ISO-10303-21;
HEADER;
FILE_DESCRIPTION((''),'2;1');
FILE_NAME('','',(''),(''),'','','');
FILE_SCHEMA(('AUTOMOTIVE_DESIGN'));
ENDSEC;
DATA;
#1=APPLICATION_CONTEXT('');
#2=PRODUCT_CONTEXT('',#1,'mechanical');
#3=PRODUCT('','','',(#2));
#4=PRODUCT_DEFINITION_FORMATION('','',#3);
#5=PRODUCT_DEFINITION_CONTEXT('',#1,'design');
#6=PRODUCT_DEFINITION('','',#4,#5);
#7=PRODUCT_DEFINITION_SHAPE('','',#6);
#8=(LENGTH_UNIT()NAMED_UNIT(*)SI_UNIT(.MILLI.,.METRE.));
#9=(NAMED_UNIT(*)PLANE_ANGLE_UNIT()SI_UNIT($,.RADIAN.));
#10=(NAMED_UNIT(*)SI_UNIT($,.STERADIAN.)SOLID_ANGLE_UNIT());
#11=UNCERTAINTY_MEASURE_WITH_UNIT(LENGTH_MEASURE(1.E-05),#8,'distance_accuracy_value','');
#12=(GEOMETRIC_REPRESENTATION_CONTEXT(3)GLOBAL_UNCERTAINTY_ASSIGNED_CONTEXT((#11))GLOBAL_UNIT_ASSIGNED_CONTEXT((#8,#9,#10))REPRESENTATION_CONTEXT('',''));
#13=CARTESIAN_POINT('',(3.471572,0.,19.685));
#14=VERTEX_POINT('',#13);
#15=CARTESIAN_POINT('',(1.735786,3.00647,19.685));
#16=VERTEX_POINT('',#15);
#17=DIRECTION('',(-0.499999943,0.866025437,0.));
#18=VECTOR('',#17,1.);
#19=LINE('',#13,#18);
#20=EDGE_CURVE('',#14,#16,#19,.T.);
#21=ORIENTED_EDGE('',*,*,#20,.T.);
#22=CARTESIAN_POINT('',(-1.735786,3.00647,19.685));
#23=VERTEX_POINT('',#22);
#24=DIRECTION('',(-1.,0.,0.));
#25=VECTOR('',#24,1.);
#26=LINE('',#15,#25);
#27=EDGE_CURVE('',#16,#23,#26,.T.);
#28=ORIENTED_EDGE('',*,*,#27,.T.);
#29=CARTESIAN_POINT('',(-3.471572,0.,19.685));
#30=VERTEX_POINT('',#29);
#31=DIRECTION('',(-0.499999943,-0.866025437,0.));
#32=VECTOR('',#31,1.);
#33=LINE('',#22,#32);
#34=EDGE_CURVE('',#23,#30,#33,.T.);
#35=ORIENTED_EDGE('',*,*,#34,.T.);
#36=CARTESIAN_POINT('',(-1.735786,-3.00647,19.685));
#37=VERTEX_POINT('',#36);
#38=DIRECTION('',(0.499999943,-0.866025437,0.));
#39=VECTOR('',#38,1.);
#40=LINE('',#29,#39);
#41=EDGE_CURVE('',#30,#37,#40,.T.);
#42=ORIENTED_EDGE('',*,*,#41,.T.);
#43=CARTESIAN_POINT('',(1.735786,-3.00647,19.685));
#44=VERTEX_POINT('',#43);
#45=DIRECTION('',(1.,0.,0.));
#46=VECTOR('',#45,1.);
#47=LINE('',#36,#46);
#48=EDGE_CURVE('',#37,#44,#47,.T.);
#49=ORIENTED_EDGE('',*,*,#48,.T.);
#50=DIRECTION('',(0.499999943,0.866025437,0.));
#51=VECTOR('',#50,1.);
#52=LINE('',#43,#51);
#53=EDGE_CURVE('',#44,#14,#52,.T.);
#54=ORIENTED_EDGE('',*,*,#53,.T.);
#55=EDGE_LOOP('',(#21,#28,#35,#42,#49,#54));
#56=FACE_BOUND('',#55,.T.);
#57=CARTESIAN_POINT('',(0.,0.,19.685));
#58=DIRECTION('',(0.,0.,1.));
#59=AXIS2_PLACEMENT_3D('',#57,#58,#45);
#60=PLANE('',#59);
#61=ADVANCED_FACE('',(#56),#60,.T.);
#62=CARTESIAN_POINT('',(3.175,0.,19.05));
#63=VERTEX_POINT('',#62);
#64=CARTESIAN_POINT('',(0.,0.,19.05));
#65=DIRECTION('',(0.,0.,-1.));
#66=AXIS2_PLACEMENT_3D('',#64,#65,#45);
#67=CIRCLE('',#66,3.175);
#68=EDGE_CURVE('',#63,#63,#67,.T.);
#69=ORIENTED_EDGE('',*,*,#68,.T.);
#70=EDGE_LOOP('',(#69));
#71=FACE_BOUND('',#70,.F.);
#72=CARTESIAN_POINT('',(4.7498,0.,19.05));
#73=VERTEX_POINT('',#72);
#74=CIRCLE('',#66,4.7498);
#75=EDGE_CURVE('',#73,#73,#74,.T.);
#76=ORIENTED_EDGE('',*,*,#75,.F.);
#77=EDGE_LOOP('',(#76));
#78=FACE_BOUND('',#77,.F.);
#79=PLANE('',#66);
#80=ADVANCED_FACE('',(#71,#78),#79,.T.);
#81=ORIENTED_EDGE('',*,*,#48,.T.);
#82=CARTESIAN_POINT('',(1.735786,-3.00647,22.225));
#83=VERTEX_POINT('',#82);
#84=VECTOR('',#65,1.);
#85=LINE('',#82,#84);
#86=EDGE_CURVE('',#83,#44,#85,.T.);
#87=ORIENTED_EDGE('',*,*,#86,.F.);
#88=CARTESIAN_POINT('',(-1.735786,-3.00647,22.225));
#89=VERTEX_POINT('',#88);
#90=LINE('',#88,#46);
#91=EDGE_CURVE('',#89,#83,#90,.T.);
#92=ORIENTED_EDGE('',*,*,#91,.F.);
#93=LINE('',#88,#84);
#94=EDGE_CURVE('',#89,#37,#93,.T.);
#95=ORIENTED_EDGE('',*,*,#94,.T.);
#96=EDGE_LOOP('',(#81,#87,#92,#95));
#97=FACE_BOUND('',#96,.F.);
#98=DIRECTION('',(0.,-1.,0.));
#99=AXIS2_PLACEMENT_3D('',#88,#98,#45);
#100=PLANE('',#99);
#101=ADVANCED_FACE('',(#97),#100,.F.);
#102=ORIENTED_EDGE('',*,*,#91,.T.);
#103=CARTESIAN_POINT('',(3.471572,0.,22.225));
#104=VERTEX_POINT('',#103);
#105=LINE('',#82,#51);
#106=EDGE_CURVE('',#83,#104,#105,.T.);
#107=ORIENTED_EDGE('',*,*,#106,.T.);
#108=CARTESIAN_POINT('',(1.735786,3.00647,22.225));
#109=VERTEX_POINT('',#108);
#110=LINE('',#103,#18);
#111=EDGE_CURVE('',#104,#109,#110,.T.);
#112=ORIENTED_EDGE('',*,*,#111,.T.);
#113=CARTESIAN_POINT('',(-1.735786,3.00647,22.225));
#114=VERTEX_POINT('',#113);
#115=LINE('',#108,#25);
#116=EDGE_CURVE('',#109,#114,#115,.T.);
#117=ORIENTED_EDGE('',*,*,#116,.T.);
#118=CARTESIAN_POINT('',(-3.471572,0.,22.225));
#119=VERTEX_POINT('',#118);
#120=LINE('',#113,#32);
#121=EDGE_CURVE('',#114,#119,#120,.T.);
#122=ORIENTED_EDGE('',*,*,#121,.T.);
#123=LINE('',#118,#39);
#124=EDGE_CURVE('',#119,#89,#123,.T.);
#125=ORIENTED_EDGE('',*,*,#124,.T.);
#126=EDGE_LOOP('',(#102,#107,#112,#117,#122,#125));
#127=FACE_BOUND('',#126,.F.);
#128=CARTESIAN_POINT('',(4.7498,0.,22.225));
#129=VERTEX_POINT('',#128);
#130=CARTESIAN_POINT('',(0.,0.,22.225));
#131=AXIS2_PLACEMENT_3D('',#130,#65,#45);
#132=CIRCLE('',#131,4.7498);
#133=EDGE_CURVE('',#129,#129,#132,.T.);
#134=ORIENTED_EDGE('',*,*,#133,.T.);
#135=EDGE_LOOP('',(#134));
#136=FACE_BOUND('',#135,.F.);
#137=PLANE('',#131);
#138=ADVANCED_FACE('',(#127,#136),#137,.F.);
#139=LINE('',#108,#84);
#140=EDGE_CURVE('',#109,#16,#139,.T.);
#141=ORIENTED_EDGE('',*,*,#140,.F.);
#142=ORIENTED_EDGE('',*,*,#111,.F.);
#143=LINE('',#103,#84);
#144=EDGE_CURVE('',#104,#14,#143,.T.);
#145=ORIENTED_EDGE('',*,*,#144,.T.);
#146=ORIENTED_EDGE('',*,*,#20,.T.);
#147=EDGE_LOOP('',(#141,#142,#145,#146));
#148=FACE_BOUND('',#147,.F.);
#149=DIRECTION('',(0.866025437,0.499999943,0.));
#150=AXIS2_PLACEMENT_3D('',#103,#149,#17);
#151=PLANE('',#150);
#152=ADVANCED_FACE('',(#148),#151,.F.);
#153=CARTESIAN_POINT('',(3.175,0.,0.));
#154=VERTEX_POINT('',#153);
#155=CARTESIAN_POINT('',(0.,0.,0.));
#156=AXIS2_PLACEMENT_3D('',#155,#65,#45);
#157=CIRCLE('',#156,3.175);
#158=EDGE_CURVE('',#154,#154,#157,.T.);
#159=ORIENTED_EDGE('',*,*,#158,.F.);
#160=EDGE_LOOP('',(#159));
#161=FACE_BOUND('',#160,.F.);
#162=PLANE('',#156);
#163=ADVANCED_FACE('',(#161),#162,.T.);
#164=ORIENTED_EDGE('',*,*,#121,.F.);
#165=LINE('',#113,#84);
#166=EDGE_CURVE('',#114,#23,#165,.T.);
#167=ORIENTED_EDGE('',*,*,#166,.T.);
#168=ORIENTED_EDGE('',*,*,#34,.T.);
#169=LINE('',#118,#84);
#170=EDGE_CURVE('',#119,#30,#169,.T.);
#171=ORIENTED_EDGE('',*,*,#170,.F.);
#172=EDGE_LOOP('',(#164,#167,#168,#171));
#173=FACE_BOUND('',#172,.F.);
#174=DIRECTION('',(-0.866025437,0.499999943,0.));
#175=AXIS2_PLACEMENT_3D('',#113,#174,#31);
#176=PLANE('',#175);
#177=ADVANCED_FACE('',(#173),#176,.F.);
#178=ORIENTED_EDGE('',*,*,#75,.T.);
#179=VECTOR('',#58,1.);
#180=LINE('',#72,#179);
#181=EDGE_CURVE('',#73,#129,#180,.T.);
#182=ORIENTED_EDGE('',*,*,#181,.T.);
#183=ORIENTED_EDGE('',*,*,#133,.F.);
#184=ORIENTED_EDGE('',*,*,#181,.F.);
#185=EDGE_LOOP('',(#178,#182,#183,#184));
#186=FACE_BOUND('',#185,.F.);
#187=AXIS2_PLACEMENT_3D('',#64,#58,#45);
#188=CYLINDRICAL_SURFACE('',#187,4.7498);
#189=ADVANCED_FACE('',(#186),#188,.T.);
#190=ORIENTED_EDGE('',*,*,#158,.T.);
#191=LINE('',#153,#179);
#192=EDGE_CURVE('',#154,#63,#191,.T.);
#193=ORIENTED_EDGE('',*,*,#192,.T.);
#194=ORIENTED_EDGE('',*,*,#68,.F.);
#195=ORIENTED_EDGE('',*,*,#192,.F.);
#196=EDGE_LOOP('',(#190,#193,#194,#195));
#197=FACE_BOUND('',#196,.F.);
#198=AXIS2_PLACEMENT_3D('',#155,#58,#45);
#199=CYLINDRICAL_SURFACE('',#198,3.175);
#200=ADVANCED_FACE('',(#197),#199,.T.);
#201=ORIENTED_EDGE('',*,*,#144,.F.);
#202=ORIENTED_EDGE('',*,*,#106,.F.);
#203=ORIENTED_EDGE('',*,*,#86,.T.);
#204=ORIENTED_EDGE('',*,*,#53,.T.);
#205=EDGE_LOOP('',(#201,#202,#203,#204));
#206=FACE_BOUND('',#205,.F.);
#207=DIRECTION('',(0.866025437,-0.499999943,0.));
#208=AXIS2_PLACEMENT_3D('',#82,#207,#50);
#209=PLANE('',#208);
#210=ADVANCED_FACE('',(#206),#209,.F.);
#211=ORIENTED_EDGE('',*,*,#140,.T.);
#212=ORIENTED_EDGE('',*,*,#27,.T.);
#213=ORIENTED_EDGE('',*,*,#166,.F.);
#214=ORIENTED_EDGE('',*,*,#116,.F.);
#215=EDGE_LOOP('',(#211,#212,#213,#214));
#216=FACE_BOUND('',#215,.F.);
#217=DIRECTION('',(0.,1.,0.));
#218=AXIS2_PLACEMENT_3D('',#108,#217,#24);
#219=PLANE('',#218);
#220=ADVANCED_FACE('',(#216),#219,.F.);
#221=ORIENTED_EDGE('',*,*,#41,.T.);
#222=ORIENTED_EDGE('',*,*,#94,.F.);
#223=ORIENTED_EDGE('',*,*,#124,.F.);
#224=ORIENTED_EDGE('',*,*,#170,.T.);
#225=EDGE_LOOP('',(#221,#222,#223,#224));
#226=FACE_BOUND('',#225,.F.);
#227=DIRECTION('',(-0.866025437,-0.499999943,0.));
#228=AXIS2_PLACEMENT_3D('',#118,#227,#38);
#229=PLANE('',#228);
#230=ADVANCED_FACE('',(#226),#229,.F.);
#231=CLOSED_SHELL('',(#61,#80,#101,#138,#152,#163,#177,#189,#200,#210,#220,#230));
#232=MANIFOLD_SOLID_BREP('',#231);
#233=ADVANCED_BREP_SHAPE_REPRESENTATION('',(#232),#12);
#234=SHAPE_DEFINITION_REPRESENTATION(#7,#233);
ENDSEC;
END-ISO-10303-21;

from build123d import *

# Parameters (mm, degrees)
F3_DEPTH = 2.54


with BuildPart() as f1:
    # F0 (on Front) → F1 (revolve)
    with BuildSketch(Plane.XZ):
        Polygon((0, 22.225), (0, 0), (3.175, 0), (3.175, 19.05), (4.7498, 19.05), (4.7498, 22.225), align=None)
    revolve(axis=Axis((0, 0, 11.934645), (0, 0, -1)))

    # F2 (on face) → F3 (cut)
    with BuildSketch(Plane.XY.offset(22.225)):
        Polygon((1.735786, -3.00647), (3.471572, 0), (1.735786, 3.00647), (-1.735786, 3.00647), (-3.471572, 0), (-1.735786, -3.00647), align=None)
    extrude(amount=-F3_DEPTH, mode=Mode.SUBTRACT)


solid = f1.part
